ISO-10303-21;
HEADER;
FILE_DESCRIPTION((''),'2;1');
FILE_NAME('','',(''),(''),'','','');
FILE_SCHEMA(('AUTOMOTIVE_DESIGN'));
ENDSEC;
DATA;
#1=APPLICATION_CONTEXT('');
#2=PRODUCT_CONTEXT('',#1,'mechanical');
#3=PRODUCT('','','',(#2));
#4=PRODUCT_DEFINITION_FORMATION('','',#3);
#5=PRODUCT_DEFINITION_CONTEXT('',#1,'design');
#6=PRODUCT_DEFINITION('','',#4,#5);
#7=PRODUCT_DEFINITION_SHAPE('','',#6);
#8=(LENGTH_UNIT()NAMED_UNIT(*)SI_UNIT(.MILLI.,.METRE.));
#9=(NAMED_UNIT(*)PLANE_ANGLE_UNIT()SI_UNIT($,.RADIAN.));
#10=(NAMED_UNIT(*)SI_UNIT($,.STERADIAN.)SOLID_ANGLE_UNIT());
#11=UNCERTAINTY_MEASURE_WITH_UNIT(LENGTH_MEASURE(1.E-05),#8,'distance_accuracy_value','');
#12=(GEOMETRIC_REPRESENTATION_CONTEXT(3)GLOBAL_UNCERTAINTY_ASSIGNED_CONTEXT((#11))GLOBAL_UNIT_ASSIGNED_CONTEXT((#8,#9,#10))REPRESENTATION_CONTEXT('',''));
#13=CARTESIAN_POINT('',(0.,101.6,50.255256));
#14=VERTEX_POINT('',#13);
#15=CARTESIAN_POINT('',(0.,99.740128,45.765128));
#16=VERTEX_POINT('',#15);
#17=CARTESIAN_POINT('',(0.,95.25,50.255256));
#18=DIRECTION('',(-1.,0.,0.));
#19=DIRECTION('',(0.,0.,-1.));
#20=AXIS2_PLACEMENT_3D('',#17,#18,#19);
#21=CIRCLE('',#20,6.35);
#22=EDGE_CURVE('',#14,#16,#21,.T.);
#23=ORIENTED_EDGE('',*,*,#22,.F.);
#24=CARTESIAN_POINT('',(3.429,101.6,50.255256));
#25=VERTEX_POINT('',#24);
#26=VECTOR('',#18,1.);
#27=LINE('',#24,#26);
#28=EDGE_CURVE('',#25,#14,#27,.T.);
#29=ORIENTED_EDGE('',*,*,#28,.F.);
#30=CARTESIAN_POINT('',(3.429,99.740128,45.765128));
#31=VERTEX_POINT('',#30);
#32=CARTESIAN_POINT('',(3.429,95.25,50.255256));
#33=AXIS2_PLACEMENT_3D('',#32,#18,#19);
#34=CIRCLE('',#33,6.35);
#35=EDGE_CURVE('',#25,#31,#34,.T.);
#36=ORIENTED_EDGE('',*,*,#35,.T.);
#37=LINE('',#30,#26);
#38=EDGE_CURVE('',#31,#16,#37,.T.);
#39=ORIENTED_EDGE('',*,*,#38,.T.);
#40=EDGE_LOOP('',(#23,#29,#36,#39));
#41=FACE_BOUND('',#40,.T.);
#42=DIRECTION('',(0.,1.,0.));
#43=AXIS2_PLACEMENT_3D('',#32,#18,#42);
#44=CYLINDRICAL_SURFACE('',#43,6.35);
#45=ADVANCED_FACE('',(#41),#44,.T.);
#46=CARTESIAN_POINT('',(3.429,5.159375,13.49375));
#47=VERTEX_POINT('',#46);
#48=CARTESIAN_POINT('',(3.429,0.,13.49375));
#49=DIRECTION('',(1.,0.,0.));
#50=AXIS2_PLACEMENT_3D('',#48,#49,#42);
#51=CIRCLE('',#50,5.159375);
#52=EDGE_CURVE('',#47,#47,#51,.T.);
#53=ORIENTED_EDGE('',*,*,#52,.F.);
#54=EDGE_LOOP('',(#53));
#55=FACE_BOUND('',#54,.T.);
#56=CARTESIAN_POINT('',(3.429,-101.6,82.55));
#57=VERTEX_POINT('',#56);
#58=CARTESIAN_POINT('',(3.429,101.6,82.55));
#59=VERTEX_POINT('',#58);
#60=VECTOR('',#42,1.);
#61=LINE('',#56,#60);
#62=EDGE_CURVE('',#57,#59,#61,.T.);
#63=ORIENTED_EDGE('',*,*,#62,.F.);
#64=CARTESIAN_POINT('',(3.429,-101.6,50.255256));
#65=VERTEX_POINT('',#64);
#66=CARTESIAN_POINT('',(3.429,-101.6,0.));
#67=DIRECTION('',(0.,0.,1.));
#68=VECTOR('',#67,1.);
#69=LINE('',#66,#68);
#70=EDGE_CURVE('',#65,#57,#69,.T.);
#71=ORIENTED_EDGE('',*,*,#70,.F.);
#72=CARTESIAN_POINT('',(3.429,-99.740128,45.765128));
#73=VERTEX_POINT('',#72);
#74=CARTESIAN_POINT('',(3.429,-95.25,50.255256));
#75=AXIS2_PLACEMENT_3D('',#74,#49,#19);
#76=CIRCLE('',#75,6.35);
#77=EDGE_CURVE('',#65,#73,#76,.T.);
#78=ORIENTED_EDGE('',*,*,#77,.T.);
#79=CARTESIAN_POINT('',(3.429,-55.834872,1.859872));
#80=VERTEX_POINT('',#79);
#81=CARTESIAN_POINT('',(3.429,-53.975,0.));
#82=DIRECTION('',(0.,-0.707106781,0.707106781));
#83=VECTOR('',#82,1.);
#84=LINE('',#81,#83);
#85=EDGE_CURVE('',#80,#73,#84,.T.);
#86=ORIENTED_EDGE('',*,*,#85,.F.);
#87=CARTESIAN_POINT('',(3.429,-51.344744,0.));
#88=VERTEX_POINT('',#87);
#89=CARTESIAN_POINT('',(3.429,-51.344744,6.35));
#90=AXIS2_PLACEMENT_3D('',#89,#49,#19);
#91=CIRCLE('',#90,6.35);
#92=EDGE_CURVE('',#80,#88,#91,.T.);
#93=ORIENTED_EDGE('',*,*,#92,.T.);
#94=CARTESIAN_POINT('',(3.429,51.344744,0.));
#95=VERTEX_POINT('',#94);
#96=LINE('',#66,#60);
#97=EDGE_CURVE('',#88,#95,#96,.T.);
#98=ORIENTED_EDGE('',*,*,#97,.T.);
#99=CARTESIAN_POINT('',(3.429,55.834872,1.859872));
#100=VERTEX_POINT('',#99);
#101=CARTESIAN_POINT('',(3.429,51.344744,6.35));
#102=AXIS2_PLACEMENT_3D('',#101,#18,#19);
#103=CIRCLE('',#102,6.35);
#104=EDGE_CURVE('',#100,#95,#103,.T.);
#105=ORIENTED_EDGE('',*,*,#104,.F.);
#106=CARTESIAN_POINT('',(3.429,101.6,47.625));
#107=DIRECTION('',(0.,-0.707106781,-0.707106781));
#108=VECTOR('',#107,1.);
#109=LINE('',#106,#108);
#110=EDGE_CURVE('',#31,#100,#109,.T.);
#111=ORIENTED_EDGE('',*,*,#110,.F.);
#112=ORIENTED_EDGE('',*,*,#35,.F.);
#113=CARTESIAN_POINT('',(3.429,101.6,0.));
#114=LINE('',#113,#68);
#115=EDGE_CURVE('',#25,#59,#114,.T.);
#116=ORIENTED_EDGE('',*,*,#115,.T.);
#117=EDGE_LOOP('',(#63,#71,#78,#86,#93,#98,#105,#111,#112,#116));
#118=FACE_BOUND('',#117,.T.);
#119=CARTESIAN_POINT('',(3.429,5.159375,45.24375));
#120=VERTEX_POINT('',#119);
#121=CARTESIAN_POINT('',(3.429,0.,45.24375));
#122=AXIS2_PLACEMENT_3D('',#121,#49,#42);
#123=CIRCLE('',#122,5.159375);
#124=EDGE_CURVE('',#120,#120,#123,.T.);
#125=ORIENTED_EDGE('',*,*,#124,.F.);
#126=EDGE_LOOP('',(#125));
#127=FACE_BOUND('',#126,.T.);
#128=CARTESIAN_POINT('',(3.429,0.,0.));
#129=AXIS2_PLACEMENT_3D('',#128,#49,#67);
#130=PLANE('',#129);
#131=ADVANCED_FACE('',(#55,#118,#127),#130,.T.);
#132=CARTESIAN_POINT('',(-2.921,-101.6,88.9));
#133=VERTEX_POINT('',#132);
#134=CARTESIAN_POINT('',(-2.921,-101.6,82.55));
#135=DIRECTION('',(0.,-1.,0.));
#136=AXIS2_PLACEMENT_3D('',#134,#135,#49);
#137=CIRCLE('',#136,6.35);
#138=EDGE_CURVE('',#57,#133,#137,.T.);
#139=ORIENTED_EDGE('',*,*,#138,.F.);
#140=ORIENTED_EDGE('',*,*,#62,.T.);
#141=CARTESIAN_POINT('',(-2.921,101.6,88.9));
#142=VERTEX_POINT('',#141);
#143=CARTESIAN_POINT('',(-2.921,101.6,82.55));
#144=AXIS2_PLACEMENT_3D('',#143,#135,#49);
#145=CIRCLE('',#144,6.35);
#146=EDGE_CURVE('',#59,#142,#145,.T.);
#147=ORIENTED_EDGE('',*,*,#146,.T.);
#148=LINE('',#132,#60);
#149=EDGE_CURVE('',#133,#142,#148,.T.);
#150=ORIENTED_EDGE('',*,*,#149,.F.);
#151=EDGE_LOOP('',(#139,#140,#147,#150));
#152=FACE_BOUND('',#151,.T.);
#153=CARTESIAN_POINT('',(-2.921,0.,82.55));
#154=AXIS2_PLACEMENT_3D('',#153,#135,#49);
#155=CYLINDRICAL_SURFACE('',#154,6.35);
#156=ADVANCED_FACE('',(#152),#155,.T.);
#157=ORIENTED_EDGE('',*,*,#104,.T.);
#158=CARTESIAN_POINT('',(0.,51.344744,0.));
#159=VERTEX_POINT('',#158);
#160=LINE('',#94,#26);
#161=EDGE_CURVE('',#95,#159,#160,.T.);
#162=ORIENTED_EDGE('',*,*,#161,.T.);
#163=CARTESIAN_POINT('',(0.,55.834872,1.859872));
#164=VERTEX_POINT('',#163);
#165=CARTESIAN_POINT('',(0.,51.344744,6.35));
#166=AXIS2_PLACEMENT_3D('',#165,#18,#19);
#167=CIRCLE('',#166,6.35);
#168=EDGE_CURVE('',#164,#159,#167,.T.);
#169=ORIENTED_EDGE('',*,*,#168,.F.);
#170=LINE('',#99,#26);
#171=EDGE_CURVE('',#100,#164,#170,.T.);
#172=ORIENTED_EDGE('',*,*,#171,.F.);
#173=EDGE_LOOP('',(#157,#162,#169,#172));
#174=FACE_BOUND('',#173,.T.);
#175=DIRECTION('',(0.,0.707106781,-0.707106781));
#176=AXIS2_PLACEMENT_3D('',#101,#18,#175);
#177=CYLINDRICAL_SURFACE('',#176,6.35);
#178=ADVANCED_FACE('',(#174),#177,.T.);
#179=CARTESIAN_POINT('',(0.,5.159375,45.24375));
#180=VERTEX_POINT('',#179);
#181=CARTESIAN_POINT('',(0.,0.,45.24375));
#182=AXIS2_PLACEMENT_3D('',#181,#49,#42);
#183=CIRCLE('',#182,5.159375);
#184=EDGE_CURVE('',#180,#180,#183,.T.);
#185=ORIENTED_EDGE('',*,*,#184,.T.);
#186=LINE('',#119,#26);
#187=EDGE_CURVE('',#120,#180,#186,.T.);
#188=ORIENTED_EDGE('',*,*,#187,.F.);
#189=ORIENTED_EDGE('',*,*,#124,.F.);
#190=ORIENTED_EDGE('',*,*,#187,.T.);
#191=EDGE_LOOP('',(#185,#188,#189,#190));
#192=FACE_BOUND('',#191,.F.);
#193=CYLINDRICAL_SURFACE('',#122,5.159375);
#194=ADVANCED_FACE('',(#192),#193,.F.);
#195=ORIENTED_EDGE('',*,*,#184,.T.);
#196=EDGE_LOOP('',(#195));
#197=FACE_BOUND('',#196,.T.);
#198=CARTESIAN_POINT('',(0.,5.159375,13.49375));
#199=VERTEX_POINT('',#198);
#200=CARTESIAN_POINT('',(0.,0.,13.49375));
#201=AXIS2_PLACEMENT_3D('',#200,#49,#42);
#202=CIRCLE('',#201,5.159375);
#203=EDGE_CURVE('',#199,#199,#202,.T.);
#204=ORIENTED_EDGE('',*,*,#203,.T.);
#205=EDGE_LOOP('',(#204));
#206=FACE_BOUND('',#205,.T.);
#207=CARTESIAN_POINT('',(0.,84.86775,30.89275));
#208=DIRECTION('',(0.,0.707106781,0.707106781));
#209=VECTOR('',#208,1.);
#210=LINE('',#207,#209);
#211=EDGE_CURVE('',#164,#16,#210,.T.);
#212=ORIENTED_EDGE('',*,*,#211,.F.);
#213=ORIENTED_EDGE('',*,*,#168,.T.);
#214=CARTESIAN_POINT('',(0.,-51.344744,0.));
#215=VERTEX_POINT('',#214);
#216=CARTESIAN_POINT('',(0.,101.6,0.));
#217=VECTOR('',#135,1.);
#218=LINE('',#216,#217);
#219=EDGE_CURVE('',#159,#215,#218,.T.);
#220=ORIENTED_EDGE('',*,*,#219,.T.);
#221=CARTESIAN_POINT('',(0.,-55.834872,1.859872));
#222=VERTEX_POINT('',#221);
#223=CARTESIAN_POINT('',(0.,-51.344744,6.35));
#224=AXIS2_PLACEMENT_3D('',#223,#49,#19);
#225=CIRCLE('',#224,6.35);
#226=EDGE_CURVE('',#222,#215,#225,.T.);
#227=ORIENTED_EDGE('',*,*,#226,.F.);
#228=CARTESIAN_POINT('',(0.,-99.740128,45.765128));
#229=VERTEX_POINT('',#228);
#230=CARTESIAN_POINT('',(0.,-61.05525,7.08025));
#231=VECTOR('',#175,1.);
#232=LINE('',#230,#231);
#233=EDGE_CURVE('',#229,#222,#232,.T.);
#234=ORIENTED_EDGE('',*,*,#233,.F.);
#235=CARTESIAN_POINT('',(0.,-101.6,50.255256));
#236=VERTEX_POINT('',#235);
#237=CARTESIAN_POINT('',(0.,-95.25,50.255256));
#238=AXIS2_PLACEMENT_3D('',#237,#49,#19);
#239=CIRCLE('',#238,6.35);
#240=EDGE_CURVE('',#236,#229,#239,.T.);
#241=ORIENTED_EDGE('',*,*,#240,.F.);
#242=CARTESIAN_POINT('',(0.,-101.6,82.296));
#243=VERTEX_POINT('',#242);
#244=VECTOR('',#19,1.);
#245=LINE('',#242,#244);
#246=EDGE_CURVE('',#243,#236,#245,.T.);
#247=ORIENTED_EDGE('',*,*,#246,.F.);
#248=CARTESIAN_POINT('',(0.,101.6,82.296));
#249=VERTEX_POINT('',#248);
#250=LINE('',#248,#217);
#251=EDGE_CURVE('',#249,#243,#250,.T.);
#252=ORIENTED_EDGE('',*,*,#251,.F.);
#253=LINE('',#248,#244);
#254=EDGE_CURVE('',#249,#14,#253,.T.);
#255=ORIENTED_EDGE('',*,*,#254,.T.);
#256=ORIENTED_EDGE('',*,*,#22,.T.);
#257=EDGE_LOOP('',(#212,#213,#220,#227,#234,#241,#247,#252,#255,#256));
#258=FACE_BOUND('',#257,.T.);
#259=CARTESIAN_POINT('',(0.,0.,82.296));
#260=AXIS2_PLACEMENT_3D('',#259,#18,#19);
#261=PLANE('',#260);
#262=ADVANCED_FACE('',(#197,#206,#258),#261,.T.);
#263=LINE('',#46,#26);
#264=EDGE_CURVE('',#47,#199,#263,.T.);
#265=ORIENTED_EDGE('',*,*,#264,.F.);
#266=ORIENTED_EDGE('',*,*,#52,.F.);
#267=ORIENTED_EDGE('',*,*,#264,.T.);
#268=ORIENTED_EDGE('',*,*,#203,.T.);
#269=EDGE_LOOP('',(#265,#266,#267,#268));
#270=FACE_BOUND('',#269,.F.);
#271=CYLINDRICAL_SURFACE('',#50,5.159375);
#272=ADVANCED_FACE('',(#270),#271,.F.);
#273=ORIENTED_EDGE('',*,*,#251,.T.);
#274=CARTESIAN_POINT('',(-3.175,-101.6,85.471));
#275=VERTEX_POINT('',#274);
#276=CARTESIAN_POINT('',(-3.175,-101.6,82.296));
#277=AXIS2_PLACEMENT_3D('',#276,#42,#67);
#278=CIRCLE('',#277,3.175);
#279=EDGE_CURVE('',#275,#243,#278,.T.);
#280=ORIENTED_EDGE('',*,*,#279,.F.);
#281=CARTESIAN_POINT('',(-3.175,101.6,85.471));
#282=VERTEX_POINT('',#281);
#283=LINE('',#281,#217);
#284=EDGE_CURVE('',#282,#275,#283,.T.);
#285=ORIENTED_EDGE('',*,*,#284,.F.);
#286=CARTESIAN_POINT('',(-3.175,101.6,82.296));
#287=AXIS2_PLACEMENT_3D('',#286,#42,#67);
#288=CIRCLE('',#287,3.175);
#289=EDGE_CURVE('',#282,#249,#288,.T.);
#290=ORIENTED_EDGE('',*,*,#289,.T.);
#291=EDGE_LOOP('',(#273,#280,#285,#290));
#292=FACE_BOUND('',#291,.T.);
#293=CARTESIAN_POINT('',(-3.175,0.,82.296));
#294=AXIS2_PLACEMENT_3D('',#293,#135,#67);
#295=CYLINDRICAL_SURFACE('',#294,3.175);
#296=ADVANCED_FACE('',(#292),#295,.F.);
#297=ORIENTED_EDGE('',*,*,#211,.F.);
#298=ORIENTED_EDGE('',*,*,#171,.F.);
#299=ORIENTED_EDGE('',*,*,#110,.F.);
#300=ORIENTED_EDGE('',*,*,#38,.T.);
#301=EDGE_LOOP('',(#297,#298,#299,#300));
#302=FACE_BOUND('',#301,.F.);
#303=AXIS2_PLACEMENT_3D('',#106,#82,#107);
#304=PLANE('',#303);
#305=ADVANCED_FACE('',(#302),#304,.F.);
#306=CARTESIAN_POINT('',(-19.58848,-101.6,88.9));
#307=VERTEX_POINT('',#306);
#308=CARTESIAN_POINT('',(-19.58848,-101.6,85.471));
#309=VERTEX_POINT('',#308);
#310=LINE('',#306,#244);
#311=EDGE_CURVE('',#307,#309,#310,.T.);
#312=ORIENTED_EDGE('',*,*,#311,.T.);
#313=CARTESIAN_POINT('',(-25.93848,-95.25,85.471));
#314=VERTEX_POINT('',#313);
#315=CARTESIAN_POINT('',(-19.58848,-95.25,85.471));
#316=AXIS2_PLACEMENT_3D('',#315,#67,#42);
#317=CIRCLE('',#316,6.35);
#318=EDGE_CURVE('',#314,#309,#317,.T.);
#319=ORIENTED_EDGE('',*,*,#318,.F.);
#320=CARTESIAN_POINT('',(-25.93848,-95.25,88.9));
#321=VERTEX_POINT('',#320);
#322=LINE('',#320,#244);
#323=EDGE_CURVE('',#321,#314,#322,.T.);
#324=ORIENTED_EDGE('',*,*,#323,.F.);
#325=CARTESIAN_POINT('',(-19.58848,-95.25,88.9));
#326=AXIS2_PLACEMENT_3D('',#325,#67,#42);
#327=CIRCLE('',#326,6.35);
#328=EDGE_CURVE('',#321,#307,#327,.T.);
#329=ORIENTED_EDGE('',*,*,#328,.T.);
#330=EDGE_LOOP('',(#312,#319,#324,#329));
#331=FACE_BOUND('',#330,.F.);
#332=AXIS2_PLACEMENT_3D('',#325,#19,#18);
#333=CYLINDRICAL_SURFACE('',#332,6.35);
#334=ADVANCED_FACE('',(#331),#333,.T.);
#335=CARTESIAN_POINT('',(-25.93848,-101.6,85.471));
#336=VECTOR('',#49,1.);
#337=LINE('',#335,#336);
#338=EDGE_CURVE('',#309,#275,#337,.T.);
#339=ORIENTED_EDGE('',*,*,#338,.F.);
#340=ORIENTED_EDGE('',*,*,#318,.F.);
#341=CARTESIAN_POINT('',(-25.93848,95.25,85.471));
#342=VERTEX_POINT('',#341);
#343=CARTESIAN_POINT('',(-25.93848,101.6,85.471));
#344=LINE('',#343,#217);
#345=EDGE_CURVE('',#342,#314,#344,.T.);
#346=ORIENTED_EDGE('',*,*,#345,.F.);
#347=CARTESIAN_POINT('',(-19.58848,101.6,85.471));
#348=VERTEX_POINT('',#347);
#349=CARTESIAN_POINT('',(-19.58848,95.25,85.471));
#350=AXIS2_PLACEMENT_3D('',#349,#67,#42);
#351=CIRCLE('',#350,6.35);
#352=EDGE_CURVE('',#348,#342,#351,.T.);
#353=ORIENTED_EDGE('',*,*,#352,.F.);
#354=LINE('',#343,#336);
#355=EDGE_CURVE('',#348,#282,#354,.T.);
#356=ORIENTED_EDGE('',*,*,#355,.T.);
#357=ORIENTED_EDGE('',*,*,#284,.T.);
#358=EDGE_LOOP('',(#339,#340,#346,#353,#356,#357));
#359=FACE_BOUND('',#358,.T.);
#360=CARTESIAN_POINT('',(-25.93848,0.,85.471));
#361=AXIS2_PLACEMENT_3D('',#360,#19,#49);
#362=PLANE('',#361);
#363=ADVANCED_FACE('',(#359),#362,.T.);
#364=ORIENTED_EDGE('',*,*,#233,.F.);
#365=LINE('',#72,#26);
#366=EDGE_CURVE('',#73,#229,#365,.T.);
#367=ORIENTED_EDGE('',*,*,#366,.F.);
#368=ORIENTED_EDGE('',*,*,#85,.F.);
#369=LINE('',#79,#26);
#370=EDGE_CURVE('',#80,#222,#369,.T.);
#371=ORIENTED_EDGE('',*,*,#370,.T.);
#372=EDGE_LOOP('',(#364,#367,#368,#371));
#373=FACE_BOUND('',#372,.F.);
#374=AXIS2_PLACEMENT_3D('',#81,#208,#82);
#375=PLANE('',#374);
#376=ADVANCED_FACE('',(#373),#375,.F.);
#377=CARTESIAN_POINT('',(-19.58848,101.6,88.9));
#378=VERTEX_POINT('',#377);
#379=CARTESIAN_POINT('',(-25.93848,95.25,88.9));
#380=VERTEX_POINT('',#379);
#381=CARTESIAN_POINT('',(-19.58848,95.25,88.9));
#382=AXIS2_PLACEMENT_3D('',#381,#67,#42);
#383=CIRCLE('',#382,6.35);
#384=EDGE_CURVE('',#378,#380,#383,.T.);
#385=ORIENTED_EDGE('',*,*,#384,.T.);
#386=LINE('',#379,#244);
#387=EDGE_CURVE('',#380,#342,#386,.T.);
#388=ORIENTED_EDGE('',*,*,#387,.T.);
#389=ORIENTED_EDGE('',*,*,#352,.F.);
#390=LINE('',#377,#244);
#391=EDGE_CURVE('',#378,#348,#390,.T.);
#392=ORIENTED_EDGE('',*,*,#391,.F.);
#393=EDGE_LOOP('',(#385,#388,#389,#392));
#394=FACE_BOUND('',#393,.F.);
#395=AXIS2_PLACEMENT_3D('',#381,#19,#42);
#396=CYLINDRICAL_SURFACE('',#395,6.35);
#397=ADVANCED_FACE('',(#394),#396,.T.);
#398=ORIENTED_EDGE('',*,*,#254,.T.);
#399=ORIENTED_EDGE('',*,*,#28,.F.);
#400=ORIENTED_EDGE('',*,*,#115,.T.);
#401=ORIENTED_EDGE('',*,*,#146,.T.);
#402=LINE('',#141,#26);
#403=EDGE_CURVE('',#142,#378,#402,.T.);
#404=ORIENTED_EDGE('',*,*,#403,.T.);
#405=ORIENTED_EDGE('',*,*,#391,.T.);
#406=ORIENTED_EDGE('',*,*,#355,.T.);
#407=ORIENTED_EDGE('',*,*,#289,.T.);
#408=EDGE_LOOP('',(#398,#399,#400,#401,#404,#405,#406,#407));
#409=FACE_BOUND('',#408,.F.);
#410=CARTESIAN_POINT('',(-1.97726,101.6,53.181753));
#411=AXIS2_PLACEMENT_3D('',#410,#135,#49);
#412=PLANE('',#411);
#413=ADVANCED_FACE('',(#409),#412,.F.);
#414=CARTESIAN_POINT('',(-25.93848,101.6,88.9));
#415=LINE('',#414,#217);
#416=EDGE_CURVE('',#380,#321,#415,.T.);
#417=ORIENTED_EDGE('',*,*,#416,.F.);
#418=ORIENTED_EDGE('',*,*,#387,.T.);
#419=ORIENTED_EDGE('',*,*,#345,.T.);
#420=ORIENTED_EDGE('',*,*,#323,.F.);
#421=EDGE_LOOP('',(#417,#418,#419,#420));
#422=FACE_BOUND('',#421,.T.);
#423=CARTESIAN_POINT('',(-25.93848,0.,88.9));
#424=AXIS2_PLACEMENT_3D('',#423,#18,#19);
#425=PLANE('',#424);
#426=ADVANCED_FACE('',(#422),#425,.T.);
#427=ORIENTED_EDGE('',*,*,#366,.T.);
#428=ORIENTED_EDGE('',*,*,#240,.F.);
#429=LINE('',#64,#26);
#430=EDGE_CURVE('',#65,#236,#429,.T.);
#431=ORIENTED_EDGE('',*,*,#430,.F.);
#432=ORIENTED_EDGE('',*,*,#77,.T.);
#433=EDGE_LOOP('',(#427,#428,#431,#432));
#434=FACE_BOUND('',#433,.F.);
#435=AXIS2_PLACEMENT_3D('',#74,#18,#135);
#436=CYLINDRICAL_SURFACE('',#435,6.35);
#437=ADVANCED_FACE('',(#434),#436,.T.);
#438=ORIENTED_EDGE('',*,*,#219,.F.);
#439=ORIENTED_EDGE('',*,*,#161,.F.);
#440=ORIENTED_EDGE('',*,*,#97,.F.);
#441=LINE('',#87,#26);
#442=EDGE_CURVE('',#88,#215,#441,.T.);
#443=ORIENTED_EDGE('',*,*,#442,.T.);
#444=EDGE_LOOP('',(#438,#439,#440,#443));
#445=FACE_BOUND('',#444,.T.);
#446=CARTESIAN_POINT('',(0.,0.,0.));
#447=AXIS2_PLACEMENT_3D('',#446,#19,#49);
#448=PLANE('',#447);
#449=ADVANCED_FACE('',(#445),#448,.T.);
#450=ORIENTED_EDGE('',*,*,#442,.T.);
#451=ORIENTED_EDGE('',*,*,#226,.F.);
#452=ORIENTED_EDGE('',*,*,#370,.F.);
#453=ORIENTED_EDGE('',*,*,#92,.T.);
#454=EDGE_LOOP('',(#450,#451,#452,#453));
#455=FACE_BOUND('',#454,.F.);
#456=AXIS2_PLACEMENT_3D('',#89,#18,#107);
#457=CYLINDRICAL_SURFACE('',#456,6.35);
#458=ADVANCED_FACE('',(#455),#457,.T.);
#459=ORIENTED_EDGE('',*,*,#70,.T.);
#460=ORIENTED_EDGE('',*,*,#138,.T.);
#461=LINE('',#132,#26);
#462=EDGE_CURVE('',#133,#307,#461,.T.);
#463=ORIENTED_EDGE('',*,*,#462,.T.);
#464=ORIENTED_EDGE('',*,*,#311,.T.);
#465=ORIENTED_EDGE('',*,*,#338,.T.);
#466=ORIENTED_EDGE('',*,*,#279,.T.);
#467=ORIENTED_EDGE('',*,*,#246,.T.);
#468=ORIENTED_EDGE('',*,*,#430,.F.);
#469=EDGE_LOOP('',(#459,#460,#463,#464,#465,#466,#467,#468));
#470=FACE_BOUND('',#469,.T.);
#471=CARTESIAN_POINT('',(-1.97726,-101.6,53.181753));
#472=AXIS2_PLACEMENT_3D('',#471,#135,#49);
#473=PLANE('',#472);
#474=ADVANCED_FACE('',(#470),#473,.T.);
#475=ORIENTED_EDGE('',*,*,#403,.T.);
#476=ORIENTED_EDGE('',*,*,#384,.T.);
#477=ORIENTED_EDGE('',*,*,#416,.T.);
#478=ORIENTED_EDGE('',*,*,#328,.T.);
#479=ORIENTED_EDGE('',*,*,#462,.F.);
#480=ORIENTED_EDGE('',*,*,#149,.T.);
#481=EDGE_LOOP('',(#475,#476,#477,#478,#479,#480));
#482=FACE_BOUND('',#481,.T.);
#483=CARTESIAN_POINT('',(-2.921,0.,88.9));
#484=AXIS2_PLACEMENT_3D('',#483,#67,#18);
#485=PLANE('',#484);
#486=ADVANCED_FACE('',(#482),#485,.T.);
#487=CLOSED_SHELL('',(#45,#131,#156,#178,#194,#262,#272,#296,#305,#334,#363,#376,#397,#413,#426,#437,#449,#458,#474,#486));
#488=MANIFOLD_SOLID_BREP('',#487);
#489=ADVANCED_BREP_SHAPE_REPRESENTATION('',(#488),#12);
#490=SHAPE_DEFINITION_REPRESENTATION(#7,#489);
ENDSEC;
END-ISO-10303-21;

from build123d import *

# Parameters (mm, degrees)
F1_DEPTH      = 101.6
F3_DEPTH      = 25.4
F3_DEPTH_BACK = 25.4
F4_R          = 6.35
F5_R          = 5.159375
F6_DEPTH      = 25.4
F6_DEPTH_BACK = 25.4


with BuildPart() as f1:
    # F0 (on Front) → F1 (new body, symmetric)
    with BuildSketch(Plane.XZ):
        with BuildLine():
            Line((-2.921, 88.9), (-25.93848, 88.9))
            Line((-25.93848, 88.9), (-25.93848, 85.471))
            Line((-25.93848, 85.471), (-3.175, 85.471))
            ThreePointArc((-3.175, 85.471), (-0.9299359697, 84.5410640303), (0, 82.296))
            Line((0, 82.296), (0, 0))
            Line((0, 0), (3.429, 0))
            Line((3.429, 0), (3.429, 82.55))
            ThreePointArc((3.429, 82.55), (1.5691280605, 87.0401280605), (-2.921, 88.9))
        make_face()
    extrude(amount=F1_DEPTH, both=True)

    # F2 (on face) → F3 (cut, two sides)
    with BuildSketch(Plane.YZ.offset(3.429)) as f3_sk:
        Polygon((-53.975, 0), (-101.6, 47.625), (-101.6, 0), align=None)
        Polygon((101.6, 0), (101.6, 47.625), (53.975, 0), align=None)
    extrude(amount=-F3_DEPTH, mode=Mode.SUBTRACT)
    extrude(f3_sk.sketch, amount=F3_DEPTH_BACK, mode=Mode.SUBTRACT)

    # F4
    f4_edges = [f1.edges().sort_by_distance(p)[0] for p in [
        (1.7145, -101.6, 47.625),
        (-25.93848, -101.6, 87.1855),
        (1.7145, -53.975, 0),
        (1.7145, 53.975, 0),
        (1.7145, 101.6, 47.625),
        (-25.93848, 101.6, 87.1855),
    ]]
    fillet(f4_edges, radius=F4_R)

    # F5 (on face) → F6 (cut, two sides)
    with BuildSketch(Plane.YZ.offset(3.429)) as f6_sk:
        with Locations((0, 45.24375)):
            Circle(F5_R)
        with Locations((0, 13.49375)):
            Circle(F5_R)
    extrude(amount=-F6_DEPTH, mode=Mode.SUBTRACT)
    extrude(f6_sk.sketch, amount=F6_DEPTH_BACK, mode=Mode.SUBTRACT)


solid = f1.part
